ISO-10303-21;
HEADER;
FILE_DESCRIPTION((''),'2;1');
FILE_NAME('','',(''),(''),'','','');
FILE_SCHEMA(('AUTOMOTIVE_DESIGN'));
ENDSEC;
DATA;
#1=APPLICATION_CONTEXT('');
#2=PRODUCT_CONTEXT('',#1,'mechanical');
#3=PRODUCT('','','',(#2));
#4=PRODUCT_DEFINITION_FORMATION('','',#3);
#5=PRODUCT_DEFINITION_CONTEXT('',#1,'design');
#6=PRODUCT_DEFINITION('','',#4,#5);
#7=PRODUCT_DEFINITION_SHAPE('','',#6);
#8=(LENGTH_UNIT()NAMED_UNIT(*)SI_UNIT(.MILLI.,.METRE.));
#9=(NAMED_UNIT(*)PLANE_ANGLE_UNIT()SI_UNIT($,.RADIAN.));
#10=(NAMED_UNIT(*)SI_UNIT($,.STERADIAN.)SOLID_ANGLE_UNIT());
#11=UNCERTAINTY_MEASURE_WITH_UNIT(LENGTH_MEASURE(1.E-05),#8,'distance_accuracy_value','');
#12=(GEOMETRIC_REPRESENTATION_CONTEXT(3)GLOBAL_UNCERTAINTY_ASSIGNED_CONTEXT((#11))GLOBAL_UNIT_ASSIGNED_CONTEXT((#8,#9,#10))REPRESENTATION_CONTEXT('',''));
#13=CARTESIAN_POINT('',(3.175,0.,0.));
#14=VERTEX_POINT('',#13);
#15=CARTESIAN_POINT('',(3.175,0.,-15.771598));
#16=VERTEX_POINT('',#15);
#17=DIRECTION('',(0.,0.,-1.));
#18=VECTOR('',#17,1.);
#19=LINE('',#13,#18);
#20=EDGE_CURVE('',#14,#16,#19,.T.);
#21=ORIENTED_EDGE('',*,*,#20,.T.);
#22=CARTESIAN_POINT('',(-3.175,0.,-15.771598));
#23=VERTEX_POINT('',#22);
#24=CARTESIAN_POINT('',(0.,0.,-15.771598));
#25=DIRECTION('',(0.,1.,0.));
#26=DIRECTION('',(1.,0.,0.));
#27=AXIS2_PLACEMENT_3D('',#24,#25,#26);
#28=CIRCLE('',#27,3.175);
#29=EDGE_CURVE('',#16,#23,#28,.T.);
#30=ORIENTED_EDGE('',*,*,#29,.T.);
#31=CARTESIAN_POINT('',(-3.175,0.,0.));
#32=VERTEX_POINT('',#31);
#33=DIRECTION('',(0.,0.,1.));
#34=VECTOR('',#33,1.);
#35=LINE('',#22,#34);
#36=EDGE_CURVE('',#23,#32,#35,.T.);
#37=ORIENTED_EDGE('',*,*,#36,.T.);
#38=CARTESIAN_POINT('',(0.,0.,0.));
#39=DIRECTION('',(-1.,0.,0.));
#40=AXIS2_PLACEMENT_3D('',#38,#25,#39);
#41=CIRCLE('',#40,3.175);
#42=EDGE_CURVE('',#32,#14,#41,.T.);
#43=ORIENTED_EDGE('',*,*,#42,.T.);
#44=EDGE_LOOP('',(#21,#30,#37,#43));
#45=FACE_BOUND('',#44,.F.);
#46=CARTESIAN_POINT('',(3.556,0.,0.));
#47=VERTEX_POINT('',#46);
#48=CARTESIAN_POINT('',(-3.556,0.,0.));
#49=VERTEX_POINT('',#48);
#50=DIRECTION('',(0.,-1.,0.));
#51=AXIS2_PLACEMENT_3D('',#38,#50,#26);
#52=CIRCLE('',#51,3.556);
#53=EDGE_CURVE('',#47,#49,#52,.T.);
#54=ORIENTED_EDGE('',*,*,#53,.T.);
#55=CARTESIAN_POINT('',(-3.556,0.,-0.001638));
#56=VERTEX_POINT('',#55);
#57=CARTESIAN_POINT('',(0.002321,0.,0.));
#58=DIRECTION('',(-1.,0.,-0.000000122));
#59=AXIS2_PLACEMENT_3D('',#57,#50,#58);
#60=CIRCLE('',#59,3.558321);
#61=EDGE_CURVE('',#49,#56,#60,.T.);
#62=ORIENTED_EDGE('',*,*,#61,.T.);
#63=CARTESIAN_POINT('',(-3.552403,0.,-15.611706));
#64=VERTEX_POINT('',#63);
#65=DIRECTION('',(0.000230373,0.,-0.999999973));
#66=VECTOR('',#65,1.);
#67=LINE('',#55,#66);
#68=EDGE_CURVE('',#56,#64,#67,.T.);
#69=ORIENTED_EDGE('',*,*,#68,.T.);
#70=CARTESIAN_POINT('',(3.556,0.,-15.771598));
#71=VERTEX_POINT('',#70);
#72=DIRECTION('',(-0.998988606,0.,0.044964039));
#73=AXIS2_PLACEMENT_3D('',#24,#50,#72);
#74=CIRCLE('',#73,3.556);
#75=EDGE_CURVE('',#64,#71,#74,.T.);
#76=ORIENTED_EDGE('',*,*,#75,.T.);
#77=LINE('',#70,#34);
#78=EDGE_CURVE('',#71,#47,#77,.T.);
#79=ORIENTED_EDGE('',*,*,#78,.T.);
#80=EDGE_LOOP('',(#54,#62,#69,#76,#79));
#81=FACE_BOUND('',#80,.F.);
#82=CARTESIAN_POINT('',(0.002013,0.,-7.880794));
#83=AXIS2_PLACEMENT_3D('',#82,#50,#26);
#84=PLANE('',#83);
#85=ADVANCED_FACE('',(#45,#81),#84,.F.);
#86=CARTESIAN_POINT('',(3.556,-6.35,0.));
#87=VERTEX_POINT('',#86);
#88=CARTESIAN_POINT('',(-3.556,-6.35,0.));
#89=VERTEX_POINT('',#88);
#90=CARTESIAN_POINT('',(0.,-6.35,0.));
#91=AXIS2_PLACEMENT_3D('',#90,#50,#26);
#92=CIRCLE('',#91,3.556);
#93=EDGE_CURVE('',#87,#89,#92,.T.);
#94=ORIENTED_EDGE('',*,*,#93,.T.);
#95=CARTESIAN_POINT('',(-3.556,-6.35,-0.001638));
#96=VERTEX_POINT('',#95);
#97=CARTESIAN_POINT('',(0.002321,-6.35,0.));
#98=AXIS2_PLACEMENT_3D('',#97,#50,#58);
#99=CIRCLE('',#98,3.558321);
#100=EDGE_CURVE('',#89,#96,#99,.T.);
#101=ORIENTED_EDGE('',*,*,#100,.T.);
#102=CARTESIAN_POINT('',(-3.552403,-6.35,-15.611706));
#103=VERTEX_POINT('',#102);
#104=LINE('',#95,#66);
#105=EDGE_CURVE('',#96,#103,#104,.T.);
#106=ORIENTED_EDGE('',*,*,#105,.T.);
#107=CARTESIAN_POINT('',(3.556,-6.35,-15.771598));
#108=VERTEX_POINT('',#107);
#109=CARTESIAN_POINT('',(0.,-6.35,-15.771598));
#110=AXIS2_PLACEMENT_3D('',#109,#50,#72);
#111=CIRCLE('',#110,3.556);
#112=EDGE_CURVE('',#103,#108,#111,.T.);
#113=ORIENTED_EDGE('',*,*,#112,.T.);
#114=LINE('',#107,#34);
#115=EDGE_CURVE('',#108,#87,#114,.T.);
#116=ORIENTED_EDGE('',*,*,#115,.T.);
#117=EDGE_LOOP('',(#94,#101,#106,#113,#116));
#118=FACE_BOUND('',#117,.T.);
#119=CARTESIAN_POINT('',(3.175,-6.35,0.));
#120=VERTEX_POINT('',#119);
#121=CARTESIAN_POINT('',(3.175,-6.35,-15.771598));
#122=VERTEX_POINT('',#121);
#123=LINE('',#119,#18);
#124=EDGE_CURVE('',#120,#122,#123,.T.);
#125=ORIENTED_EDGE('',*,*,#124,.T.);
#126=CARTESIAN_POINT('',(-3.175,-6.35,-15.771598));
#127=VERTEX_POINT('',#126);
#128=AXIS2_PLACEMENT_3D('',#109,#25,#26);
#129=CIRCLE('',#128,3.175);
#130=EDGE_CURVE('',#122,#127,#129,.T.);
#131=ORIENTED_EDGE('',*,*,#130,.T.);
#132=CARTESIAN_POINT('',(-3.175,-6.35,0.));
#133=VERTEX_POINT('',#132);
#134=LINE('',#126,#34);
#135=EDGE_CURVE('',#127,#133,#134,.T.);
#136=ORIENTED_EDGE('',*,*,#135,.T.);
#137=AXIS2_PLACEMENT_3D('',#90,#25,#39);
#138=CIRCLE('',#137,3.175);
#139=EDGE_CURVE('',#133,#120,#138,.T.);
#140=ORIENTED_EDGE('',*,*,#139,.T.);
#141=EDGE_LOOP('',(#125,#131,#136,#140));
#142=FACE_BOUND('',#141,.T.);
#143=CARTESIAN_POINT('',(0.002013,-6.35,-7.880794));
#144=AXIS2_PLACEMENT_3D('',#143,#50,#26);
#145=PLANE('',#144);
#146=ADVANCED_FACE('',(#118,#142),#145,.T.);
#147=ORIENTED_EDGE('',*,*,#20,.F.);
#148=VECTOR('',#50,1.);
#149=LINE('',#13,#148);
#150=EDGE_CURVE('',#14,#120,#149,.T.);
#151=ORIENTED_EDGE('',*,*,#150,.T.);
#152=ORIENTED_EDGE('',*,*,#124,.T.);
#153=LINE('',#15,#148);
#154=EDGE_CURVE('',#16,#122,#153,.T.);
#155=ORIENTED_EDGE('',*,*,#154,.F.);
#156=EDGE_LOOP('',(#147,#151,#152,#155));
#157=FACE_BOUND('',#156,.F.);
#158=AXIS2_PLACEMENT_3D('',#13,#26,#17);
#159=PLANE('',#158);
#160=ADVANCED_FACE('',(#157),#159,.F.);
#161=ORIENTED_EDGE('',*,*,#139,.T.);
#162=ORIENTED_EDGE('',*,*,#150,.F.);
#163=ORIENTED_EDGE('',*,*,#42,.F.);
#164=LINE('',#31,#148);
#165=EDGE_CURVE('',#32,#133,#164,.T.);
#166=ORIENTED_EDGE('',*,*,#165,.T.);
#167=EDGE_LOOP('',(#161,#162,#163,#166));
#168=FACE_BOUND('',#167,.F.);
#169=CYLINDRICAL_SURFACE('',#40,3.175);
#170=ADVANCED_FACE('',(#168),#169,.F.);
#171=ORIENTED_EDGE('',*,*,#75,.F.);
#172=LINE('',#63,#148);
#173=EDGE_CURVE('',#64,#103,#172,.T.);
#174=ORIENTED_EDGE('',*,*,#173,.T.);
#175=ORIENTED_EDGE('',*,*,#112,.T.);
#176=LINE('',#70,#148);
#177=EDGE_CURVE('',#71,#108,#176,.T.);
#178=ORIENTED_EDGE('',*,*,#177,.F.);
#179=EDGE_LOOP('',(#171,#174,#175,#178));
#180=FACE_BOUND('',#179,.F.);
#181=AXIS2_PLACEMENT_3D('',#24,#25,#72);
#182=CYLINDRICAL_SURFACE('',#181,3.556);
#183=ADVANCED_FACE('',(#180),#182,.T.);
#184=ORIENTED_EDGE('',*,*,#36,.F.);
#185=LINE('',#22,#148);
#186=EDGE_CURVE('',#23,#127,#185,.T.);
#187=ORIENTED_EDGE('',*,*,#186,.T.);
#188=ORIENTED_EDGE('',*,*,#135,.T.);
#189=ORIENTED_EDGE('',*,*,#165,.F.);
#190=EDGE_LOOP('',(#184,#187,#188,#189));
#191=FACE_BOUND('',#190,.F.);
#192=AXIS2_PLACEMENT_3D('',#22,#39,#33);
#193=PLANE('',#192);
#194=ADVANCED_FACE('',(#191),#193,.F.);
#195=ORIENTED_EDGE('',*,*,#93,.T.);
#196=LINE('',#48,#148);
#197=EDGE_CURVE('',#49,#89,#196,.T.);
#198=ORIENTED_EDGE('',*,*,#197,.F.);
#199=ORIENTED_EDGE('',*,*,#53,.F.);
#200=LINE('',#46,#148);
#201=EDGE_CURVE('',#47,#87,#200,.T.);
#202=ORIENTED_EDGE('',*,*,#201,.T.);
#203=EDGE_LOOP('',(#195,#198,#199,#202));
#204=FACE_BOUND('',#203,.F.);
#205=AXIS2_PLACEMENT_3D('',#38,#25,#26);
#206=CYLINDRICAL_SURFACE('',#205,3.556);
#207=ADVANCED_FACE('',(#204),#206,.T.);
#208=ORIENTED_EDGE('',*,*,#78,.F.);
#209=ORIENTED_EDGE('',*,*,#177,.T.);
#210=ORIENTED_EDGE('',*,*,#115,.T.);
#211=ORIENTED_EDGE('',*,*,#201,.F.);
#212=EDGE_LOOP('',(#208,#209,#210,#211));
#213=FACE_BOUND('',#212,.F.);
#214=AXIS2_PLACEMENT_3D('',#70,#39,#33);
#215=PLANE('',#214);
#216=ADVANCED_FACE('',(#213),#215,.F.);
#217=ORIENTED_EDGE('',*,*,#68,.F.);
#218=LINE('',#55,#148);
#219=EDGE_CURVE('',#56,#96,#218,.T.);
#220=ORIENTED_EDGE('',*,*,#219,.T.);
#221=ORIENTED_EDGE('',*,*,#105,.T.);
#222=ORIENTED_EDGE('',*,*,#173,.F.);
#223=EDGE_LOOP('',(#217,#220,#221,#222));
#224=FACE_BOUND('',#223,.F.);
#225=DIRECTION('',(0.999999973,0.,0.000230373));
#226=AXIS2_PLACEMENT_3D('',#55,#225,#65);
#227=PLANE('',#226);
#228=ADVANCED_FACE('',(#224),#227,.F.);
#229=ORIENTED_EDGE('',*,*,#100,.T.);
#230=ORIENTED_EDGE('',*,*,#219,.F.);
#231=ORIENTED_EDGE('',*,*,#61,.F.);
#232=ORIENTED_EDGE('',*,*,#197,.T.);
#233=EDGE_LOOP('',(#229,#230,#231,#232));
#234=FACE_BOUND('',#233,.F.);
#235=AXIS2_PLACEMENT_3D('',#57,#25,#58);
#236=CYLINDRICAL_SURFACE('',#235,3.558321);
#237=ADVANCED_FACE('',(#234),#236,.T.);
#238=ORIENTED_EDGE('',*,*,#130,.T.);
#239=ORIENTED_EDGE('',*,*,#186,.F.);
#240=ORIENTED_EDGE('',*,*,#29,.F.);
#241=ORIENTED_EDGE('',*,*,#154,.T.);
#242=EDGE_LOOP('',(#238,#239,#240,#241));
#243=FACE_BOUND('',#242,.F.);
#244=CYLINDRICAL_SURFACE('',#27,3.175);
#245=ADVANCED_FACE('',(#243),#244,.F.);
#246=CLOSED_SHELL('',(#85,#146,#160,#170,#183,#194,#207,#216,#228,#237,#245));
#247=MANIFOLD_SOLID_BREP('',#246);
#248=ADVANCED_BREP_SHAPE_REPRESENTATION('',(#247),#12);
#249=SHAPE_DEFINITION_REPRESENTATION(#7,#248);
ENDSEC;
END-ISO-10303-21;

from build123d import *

# Parameters (mm, degrees)
F1_DEPTH = 6.35


with BuildPart() as f1:
    # F0 (on Front) → F1 (new body)
    with BuildSketch(Plane.XZ):
        with BuildLine():
            Line((3.556, -15.771598476), (3.556, 0))
            ThreePointArc((3.556, 0), (0, 3.556), (-3.556, 0))
            ThreePointArc((-3.556, 0), (-3.5559999056, -0.0008192066), (-3.5559996226, -0.0016384131))
            Line((-3.5559996226, -0.0016384131), (-3.5524034834, -15.6117063527))
            ThreePointArc((-3.5524034834, -15.6117063527), (-0.0799662836, -19.3266992331), (3.556, -15.771598476))
        make_face()
        with BuildLine():
            ThreePointArc((-3.175, 0), (0, 3.175), (3.175, 0))
            Line((3.175, 0), (3.175, -15.771598476))
            ThreePointArc((3.175, -15.771598476), (0, -18.946598476), (-3.175, -15.771598476))
            Line((-3.175, -15.771598476), (-3.175, 0))
        make_face(mode=Mode.SUBTRACT)
    extrude(amount=F1_DEPTH)


solid = f1.part
